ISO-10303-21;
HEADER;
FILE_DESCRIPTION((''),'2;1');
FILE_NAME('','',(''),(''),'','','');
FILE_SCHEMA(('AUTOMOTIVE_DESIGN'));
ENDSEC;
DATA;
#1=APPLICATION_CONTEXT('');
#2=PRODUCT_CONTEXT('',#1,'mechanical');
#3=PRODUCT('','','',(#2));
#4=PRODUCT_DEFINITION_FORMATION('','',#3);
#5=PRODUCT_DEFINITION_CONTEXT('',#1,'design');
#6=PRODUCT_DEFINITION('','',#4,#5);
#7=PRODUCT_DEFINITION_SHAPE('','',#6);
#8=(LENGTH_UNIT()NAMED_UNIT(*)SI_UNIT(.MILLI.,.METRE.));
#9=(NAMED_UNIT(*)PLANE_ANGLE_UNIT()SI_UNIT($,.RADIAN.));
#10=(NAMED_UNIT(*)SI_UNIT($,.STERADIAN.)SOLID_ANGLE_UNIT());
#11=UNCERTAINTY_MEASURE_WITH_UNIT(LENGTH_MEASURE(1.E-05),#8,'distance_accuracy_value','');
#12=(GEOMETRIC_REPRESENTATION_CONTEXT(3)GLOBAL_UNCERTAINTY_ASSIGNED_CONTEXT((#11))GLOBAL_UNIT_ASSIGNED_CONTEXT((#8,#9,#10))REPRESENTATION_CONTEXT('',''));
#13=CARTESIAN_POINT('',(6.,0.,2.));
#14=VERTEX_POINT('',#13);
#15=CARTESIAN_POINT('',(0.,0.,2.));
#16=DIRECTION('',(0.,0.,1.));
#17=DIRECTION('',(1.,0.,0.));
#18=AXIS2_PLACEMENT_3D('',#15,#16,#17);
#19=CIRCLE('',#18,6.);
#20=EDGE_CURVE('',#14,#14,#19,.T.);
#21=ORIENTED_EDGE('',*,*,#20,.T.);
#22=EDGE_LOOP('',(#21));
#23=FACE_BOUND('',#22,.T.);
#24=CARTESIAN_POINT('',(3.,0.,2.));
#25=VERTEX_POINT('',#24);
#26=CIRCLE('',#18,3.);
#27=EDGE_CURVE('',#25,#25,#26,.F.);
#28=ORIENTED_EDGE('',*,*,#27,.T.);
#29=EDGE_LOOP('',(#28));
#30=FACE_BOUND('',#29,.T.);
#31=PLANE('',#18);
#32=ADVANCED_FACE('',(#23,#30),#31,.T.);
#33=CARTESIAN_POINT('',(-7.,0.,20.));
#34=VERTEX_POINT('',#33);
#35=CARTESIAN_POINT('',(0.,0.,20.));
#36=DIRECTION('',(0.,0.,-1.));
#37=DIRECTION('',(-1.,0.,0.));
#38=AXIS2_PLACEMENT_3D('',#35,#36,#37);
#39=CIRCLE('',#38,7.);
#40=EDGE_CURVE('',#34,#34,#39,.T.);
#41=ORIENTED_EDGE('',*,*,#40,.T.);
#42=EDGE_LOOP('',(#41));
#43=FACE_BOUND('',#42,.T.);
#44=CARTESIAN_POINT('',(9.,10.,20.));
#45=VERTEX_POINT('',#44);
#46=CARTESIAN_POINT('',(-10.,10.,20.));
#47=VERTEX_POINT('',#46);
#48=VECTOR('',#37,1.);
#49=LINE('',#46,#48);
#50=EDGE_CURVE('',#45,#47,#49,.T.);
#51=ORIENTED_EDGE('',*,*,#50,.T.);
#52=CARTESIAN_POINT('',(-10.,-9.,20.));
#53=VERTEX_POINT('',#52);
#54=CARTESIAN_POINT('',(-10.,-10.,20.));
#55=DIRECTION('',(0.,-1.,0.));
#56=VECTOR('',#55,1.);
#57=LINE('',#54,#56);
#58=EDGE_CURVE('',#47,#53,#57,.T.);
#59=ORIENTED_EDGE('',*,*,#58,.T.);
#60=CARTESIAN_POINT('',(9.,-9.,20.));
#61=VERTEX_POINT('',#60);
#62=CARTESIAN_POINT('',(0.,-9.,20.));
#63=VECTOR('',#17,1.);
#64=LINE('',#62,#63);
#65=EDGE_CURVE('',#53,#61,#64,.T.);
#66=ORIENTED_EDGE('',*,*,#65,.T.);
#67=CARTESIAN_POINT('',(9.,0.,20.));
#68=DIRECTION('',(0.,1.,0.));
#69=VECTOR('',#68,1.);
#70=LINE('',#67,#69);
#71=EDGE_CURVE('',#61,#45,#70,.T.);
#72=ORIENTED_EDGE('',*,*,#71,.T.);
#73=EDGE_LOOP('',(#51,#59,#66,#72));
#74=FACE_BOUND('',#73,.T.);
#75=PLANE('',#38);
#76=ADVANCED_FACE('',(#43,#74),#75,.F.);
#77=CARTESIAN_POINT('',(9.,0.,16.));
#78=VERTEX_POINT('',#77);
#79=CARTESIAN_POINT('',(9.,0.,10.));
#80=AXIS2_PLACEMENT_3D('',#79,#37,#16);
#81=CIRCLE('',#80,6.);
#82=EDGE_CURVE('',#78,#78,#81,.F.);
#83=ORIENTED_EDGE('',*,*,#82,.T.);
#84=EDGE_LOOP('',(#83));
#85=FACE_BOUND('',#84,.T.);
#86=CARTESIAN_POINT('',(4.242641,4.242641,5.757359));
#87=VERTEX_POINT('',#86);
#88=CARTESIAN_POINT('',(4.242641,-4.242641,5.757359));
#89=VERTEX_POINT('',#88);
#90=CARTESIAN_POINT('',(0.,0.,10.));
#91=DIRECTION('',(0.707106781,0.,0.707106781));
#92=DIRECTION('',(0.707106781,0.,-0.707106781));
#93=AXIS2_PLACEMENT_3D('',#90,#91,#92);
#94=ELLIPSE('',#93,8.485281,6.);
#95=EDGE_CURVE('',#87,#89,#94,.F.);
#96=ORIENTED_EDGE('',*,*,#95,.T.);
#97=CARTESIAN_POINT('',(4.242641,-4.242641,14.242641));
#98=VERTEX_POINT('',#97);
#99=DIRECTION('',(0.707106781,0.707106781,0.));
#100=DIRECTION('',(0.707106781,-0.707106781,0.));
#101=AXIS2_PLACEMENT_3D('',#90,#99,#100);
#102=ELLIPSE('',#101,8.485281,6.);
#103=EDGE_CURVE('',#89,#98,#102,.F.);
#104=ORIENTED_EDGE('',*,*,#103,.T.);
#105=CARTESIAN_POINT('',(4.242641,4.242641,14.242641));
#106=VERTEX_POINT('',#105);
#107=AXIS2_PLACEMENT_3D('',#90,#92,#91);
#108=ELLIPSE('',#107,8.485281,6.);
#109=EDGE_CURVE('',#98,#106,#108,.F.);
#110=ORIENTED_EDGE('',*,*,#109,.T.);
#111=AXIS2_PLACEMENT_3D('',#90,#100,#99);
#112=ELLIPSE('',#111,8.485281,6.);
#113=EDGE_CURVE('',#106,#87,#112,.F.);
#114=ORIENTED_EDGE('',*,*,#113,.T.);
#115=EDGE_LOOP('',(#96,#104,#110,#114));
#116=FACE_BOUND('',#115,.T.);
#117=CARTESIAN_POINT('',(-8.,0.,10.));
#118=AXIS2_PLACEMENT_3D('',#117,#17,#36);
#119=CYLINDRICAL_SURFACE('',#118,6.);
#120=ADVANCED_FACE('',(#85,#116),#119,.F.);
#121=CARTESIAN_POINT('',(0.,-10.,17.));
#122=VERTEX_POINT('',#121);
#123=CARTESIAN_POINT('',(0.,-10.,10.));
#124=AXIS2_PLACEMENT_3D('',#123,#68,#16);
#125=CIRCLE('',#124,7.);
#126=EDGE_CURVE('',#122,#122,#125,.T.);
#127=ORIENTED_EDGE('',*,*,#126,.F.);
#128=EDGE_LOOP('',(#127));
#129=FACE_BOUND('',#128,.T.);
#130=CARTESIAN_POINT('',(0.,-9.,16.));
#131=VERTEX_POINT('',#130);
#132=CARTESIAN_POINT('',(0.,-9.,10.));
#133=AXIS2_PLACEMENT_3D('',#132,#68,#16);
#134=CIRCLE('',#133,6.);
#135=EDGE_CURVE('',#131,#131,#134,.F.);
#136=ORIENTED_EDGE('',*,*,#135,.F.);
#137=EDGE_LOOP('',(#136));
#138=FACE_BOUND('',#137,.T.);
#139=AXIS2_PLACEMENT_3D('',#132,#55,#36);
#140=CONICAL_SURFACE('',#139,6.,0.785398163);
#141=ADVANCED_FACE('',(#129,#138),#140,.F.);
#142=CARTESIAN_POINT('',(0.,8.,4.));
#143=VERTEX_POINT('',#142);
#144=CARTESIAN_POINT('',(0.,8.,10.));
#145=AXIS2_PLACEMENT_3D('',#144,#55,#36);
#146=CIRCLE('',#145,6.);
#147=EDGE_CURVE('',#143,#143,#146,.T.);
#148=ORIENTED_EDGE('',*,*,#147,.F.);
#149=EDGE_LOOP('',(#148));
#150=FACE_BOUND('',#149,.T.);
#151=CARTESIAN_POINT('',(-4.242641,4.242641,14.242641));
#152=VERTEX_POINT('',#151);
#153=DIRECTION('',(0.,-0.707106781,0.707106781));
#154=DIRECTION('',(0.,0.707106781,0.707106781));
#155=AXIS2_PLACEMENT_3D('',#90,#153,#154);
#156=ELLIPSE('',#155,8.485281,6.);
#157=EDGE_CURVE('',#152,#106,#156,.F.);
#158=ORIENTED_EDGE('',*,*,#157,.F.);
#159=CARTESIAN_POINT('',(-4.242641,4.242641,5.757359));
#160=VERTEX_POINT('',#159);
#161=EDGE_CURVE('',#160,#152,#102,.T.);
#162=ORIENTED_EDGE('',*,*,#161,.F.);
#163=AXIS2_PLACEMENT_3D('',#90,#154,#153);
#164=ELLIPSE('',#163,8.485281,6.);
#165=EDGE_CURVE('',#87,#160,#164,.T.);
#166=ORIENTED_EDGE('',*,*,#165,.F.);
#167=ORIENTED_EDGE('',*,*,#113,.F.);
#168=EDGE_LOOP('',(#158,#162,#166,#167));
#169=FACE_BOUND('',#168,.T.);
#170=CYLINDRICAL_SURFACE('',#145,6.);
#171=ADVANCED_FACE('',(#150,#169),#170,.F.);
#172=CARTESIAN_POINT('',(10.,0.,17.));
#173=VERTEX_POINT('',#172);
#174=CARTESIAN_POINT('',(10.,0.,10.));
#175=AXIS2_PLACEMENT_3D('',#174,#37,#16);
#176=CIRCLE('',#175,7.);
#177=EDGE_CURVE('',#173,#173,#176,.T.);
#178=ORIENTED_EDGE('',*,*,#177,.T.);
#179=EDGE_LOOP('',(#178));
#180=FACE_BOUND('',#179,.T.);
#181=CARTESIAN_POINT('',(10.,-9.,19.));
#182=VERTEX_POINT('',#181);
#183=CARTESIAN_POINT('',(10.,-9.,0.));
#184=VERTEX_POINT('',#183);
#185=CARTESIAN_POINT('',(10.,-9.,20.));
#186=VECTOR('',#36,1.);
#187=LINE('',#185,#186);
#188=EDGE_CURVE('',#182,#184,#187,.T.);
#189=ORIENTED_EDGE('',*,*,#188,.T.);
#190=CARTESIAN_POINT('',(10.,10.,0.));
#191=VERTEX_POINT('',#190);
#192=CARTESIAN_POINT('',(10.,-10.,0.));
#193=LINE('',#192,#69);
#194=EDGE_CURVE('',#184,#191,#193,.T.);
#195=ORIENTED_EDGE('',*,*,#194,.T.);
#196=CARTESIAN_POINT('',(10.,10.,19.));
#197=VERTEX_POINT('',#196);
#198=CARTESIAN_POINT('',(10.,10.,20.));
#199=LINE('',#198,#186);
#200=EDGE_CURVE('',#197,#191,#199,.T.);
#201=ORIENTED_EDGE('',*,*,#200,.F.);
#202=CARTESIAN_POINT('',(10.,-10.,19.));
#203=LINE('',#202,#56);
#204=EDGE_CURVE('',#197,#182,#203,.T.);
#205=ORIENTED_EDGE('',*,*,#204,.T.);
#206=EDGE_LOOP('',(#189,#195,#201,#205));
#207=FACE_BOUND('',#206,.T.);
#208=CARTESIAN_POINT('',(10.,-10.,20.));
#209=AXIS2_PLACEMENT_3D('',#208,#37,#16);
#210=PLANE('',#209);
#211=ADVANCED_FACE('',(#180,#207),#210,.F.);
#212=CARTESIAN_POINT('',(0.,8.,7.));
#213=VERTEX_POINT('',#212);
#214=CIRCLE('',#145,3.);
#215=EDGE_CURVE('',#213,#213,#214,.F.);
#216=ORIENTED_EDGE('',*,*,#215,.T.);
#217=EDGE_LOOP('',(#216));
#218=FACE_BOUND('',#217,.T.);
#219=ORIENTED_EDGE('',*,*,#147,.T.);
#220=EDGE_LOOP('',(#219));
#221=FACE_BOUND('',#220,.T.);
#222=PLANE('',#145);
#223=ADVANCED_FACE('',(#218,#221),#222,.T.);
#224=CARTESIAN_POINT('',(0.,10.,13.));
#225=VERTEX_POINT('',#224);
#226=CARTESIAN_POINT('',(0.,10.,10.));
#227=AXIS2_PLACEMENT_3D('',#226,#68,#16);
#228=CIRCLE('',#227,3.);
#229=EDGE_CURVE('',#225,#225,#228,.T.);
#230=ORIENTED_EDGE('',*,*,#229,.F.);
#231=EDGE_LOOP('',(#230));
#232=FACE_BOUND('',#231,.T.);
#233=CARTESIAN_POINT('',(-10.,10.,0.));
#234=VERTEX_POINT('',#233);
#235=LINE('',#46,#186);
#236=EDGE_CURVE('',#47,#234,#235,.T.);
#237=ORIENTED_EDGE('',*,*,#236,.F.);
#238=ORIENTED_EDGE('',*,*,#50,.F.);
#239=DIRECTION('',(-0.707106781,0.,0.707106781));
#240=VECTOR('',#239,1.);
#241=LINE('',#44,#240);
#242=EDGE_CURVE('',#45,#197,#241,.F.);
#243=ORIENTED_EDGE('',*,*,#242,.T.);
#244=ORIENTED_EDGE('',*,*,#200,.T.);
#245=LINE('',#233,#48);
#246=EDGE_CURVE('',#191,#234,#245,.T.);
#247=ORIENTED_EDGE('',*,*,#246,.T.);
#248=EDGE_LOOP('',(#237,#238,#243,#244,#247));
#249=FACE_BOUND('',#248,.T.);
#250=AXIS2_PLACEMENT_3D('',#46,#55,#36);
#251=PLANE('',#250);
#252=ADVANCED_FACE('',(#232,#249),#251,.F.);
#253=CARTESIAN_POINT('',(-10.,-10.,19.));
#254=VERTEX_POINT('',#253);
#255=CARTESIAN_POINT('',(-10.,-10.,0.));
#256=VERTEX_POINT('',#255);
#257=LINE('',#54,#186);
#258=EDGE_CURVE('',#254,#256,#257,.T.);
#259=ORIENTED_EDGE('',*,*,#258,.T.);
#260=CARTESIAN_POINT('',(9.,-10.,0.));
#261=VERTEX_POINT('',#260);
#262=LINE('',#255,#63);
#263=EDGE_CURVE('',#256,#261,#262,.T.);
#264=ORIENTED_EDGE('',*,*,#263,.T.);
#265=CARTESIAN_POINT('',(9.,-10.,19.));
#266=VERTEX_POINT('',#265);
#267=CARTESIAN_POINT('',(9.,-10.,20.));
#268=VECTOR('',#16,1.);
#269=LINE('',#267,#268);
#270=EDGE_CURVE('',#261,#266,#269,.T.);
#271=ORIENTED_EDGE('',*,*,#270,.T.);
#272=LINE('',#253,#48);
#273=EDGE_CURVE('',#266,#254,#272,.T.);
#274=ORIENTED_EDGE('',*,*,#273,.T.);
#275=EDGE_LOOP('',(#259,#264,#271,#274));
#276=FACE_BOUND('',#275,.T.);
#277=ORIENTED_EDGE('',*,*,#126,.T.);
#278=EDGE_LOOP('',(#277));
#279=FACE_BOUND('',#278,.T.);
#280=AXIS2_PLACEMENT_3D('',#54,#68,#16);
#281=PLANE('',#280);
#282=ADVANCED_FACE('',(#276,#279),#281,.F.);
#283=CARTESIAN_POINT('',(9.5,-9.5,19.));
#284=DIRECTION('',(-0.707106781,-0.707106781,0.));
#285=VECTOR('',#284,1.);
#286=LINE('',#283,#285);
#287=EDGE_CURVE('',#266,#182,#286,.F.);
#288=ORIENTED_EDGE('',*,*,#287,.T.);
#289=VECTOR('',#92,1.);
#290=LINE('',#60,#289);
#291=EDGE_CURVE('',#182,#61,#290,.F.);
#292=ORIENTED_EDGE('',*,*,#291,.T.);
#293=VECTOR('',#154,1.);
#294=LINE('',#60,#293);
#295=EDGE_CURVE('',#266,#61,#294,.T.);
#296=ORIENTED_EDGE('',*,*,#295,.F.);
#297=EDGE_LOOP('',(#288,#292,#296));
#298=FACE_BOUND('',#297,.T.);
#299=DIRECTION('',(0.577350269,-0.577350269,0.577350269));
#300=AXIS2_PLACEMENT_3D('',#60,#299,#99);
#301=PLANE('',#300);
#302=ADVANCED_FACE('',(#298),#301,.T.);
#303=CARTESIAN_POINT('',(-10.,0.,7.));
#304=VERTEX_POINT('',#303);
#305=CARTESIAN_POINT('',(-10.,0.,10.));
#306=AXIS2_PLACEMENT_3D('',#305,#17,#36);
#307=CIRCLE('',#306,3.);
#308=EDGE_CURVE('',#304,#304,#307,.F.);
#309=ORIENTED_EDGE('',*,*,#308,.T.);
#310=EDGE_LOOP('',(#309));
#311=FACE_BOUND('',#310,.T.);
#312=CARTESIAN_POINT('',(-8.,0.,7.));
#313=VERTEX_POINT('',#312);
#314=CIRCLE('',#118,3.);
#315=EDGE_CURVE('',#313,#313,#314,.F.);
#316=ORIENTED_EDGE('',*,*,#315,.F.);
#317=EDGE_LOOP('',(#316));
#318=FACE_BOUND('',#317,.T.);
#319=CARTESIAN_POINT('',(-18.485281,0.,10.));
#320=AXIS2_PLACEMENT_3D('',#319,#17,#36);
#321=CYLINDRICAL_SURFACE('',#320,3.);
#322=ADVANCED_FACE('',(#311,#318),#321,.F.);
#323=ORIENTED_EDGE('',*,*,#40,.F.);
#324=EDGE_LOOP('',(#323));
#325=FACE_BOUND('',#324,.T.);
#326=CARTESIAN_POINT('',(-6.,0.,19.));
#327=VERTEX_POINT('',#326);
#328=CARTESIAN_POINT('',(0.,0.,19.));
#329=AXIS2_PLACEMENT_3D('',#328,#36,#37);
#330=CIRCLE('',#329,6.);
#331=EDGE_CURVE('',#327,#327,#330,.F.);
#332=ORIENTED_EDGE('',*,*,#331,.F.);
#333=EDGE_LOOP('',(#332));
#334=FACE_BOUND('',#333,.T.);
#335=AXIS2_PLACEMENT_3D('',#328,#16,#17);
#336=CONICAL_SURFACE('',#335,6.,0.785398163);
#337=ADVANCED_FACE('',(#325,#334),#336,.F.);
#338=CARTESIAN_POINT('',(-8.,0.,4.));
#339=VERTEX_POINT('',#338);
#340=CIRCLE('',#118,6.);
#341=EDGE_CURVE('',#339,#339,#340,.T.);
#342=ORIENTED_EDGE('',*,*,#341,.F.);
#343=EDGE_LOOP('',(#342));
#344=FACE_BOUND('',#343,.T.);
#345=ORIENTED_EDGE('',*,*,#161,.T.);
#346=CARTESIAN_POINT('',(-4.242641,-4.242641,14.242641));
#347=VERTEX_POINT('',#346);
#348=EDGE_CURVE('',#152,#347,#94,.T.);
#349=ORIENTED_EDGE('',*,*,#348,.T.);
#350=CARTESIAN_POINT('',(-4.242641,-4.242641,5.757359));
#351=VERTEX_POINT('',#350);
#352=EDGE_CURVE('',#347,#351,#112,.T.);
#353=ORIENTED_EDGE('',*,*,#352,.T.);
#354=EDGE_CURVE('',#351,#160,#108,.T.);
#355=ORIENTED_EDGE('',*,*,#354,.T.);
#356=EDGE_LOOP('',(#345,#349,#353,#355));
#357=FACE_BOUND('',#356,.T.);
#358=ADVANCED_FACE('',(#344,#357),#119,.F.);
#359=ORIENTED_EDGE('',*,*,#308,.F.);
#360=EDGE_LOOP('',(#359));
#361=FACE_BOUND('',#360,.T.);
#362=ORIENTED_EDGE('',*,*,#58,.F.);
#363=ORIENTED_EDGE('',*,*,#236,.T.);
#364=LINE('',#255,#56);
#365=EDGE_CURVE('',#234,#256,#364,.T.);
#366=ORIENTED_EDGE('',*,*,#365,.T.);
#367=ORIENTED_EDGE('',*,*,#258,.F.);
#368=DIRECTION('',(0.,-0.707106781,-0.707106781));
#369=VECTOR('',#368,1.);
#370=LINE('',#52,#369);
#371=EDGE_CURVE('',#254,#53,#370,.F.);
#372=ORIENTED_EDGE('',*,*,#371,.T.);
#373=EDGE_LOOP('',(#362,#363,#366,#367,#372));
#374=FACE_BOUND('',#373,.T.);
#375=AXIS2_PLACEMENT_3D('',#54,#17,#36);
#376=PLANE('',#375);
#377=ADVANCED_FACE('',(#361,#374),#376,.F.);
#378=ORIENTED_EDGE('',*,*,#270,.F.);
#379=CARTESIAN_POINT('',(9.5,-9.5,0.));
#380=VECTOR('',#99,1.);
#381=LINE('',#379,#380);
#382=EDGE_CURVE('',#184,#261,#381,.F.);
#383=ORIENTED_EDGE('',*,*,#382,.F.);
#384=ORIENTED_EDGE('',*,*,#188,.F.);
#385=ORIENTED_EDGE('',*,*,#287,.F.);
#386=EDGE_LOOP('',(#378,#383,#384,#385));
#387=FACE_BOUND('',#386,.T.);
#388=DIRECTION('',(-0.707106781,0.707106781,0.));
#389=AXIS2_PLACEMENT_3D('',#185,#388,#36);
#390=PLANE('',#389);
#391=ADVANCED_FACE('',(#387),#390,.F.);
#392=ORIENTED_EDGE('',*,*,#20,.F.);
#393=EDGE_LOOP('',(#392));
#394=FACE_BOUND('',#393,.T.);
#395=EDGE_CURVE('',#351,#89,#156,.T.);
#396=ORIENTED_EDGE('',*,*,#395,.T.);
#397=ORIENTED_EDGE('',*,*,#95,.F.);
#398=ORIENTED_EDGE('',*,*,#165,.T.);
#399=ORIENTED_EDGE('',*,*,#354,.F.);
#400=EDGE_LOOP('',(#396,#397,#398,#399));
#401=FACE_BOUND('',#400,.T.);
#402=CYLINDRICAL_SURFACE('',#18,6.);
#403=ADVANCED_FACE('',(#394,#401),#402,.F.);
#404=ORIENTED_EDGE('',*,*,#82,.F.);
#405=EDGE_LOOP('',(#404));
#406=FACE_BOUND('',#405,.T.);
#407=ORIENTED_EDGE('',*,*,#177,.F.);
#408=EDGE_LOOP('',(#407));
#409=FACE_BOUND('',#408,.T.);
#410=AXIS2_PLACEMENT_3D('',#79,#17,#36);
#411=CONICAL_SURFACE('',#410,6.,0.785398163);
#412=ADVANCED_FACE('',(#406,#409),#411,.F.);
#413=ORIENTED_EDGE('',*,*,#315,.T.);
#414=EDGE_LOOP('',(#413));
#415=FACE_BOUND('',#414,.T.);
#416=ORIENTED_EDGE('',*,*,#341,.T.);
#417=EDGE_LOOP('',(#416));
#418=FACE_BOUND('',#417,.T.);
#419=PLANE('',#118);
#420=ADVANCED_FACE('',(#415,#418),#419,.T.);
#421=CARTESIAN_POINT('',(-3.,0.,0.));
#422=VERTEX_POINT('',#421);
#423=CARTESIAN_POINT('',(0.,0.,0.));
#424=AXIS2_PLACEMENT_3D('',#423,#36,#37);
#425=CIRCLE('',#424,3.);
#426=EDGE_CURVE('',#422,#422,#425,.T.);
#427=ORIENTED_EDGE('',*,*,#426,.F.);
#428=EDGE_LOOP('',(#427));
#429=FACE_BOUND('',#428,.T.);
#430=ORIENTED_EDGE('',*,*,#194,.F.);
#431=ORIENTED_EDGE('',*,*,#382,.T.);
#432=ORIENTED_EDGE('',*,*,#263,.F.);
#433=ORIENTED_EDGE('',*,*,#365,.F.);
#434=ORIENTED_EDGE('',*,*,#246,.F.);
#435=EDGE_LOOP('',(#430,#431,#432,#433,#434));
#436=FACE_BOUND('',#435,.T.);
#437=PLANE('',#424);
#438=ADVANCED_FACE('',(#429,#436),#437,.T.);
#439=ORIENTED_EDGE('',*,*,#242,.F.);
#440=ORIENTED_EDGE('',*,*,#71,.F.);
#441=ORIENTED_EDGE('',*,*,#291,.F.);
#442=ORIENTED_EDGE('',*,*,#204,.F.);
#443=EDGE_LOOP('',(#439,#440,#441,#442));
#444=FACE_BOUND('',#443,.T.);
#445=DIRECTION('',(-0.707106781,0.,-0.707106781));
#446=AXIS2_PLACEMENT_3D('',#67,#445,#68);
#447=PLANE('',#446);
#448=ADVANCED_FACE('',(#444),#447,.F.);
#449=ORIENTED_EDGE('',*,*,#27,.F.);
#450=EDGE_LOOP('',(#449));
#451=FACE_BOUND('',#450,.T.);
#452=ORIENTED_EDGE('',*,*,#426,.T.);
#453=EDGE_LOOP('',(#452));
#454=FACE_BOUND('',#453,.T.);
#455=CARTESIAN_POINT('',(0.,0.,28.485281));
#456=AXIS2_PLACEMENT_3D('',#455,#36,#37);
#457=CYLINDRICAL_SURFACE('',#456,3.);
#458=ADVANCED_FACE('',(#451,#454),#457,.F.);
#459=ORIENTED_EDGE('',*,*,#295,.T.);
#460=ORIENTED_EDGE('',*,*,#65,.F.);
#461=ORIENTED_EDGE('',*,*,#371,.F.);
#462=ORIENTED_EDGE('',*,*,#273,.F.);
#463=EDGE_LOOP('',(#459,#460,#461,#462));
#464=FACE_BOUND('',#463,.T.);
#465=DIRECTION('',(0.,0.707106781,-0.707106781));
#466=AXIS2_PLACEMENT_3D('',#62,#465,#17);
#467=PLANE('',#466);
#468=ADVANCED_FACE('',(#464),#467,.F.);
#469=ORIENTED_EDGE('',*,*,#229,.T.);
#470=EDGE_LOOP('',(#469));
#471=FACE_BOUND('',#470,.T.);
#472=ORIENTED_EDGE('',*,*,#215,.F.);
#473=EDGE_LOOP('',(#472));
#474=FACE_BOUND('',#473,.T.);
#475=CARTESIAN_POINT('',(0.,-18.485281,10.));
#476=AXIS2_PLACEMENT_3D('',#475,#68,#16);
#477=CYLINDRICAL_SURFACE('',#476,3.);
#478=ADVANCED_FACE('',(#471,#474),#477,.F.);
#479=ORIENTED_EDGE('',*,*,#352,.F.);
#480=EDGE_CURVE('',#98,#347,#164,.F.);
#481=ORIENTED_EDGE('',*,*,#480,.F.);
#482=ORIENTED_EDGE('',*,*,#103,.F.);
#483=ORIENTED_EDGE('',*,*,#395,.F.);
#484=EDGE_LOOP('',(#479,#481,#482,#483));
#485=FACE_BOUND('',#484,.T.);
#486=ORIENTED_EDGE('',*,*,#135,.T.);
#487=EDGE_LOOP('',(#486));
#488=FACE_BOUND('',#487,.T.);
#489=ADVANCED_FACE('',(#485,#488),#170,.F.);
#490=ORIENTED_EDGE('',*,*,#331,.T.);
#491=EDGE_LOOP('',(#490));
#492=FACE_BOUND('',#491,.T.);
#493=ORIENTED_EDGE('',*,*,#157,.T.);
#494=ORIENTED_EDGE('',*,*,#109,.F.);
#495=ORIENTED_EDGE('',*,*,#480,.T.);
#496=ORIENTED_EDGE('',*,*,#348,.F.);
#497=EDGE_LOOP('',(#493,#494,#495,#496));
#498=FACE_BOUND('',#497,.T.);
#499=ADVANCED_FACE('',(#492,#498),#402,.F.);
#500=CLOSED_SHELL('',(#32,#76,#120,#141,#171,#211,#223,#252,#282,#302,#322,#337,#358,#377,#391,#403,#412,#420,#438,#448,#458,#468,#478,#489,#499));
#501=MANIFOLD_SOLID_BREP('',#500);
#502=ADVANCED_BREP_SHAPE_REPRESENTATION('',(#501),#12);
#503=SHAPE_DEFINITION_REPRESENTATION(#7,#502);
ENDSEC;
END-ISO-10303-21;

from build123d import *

# Parameters (mm, degrees)
SKETCH_1_W          = 20
SKETCH_1_H          = 20
EXTRUDE_1_DEPTH     = 20
SKETCH_2_R          = 3
CUT_EXTRUDE_1_DEPTH = 20
CUT_EXTRUDE_2_REACH = 32
SKETCH_3_R          = 3
CUT_EXTRUDE_3_REACH = 32
SKETCH_4_R          = 3
SKETCH_5_R          = 6
CUT_EXTRUDE_4_DEPTH = 18
SKETCH_6_R          = 6
CUT_EXTRUDE_5_DEPTH = 18
SKETCH_7_R          = 6
CUT_EXTRUDE_6_DEPTH = 18
CHAMFER_1_SIZE      = 1
CHAMFER_2_SIZE      = 1


with BuildPart() as part:
    # 草图1 → 凸台-拉伸1 (new body)
    with BuildSketch(Plane.XY):
        Rectangle(SKETCH_1_W, SKETCH_1_H)
    extrude(amount=EXTRUDE_1_DEPTH)

    # 草图2 → 切除-拉伸1 (cut)
    with BuildSketch(Plane(origin=(0, 0, 0), x_dir=(-1, 0, 0), z_dir=(0, 0, -1))):
        Circle(SKETCH_2_R)
    extrude(amount=-CUT_EXTRUDE_1_DEPTH, mode=Mode.SUBTRACT)

    # 切除-拉伸2: up to this face of the body (flat: up to its plane)
    cut_extrude_2_end = Plane(part.part.faces().sort_by_distance((-10, 0, 10))[0])
    # 草图3 → 切除-拉伸2 (cut, up to the picked face)
    with BuildSketch(Plane(origin=(10, 0, 0), x_dir=(0, 0, -1), z_dir=(1, 0, 0)), mode=Mode.PRIVATE) as cut_extrude_2_sk1:
        with Locations((-10, 0)):
            Circle(SKETCH_3_R)
    cut_extrude_2_tool1 = split(extrude(cut_extrude_2_sk1.sketch, amount=-CUT_EXTRUDE_2_REACH, mode=Mode.PRIVATE), bisect_by=cut_extrude_2_end, keep=Keep.BOTH, mode=Mode.PRIVATE)
    add(cut_extrude_2_tool1.solids().sort_by(Axis((10, 0, 10), (-1, 0, 0)))[0], mode=Mode.SUBTRACT)

    # 切除-拉伸3: up to this face of the body (flat: up to its plane)
    cut_extrude_3_end = Plane(part.part.faces().sort_by_distance((0, -10, 10))[0])
    # 草图4 → 切除-拉伸3 (cut, up to the picked face)
    with BuildSketch(Plane(origin=(0, 10, 0), x_dir=(1, 0, 0), z_dir=(0, 1, 0)), mode=Mode.PRIVATE) as cut_extrude_3_sk1:
        with Locations(Location((0, -10, 0), (0, 0, 270))):
            Circle(SKETCH_4_R)
    cut_extrude_3_tool1 = split(extrude(cut_extrude_3_sk1.sketch, amount=-CUT_EXTRUDE_3_REACH, mode=Mode.PRIVATE), bisect_by=cut_extrude_3_end, keep=Keep.BOTH, mode=Mode.PRIVATE)
    add(cut_extrude_3_tool1.solids().sort_by(Axis((0, 10, 10), (0, -1, 0)))[0], mode=Mode.SUBTRACT)

    # 草图5 → 切除-拉伸4 (cut)
    with BuildSketch(Plane(origin=(10, 0, 0), x_dir=(0, 0, -1), z_dir=(1, 0, 0))):
        with Locations((-10, 0)):
            Circle(SKETCH_5_R)
    extrude(amount=-CUT_EXTRUDE_4_DEPTH, mode=Mode.SUBTRACT)

    # 草图6 → 切除-拉伸5 (cut)
    with BuildSketch(Plane.XY.offset(20)):
        Circle(SKETCH_6_R)
    extrude(amount=-CUT_EXTRUDE_5_DEPTH, mode=Mode.SUBTRACT)

    # 草图7 → 切除-拉伸6 (cut)
    with BuildSketch(Plane.XZ.offset(10)):
        with Locations(Location((0, 10, 0), (0, 0, 270))):
            Circle(SKETCH_7_R)
    extrude(amount=-CUT_EXTRUDE_6_DEPTH, mode=Mode.SUBTRACT)

    # 倒角1
    chamfer_1_edges = [part.edges().sort_by_distance(p)[0] for p in [
        (0, -10, 20),
        (10, 0, 20),
        (10, -10, 10),
    ]]
    chamfer(chamfer_1_edges, length=CHAMFER_1_SIZE)

    # 倒角2
    chamfer_2_edges = [part.edges().sort_by_distance(p)[0] for p in [
        (10, 0, 16),
        (-6, 0, 20),
        (0, -10, 16),
    ]]
    chamfer(chamfer_2_edges, length=CHAMFER_2_SIZE)


solid = part.part
